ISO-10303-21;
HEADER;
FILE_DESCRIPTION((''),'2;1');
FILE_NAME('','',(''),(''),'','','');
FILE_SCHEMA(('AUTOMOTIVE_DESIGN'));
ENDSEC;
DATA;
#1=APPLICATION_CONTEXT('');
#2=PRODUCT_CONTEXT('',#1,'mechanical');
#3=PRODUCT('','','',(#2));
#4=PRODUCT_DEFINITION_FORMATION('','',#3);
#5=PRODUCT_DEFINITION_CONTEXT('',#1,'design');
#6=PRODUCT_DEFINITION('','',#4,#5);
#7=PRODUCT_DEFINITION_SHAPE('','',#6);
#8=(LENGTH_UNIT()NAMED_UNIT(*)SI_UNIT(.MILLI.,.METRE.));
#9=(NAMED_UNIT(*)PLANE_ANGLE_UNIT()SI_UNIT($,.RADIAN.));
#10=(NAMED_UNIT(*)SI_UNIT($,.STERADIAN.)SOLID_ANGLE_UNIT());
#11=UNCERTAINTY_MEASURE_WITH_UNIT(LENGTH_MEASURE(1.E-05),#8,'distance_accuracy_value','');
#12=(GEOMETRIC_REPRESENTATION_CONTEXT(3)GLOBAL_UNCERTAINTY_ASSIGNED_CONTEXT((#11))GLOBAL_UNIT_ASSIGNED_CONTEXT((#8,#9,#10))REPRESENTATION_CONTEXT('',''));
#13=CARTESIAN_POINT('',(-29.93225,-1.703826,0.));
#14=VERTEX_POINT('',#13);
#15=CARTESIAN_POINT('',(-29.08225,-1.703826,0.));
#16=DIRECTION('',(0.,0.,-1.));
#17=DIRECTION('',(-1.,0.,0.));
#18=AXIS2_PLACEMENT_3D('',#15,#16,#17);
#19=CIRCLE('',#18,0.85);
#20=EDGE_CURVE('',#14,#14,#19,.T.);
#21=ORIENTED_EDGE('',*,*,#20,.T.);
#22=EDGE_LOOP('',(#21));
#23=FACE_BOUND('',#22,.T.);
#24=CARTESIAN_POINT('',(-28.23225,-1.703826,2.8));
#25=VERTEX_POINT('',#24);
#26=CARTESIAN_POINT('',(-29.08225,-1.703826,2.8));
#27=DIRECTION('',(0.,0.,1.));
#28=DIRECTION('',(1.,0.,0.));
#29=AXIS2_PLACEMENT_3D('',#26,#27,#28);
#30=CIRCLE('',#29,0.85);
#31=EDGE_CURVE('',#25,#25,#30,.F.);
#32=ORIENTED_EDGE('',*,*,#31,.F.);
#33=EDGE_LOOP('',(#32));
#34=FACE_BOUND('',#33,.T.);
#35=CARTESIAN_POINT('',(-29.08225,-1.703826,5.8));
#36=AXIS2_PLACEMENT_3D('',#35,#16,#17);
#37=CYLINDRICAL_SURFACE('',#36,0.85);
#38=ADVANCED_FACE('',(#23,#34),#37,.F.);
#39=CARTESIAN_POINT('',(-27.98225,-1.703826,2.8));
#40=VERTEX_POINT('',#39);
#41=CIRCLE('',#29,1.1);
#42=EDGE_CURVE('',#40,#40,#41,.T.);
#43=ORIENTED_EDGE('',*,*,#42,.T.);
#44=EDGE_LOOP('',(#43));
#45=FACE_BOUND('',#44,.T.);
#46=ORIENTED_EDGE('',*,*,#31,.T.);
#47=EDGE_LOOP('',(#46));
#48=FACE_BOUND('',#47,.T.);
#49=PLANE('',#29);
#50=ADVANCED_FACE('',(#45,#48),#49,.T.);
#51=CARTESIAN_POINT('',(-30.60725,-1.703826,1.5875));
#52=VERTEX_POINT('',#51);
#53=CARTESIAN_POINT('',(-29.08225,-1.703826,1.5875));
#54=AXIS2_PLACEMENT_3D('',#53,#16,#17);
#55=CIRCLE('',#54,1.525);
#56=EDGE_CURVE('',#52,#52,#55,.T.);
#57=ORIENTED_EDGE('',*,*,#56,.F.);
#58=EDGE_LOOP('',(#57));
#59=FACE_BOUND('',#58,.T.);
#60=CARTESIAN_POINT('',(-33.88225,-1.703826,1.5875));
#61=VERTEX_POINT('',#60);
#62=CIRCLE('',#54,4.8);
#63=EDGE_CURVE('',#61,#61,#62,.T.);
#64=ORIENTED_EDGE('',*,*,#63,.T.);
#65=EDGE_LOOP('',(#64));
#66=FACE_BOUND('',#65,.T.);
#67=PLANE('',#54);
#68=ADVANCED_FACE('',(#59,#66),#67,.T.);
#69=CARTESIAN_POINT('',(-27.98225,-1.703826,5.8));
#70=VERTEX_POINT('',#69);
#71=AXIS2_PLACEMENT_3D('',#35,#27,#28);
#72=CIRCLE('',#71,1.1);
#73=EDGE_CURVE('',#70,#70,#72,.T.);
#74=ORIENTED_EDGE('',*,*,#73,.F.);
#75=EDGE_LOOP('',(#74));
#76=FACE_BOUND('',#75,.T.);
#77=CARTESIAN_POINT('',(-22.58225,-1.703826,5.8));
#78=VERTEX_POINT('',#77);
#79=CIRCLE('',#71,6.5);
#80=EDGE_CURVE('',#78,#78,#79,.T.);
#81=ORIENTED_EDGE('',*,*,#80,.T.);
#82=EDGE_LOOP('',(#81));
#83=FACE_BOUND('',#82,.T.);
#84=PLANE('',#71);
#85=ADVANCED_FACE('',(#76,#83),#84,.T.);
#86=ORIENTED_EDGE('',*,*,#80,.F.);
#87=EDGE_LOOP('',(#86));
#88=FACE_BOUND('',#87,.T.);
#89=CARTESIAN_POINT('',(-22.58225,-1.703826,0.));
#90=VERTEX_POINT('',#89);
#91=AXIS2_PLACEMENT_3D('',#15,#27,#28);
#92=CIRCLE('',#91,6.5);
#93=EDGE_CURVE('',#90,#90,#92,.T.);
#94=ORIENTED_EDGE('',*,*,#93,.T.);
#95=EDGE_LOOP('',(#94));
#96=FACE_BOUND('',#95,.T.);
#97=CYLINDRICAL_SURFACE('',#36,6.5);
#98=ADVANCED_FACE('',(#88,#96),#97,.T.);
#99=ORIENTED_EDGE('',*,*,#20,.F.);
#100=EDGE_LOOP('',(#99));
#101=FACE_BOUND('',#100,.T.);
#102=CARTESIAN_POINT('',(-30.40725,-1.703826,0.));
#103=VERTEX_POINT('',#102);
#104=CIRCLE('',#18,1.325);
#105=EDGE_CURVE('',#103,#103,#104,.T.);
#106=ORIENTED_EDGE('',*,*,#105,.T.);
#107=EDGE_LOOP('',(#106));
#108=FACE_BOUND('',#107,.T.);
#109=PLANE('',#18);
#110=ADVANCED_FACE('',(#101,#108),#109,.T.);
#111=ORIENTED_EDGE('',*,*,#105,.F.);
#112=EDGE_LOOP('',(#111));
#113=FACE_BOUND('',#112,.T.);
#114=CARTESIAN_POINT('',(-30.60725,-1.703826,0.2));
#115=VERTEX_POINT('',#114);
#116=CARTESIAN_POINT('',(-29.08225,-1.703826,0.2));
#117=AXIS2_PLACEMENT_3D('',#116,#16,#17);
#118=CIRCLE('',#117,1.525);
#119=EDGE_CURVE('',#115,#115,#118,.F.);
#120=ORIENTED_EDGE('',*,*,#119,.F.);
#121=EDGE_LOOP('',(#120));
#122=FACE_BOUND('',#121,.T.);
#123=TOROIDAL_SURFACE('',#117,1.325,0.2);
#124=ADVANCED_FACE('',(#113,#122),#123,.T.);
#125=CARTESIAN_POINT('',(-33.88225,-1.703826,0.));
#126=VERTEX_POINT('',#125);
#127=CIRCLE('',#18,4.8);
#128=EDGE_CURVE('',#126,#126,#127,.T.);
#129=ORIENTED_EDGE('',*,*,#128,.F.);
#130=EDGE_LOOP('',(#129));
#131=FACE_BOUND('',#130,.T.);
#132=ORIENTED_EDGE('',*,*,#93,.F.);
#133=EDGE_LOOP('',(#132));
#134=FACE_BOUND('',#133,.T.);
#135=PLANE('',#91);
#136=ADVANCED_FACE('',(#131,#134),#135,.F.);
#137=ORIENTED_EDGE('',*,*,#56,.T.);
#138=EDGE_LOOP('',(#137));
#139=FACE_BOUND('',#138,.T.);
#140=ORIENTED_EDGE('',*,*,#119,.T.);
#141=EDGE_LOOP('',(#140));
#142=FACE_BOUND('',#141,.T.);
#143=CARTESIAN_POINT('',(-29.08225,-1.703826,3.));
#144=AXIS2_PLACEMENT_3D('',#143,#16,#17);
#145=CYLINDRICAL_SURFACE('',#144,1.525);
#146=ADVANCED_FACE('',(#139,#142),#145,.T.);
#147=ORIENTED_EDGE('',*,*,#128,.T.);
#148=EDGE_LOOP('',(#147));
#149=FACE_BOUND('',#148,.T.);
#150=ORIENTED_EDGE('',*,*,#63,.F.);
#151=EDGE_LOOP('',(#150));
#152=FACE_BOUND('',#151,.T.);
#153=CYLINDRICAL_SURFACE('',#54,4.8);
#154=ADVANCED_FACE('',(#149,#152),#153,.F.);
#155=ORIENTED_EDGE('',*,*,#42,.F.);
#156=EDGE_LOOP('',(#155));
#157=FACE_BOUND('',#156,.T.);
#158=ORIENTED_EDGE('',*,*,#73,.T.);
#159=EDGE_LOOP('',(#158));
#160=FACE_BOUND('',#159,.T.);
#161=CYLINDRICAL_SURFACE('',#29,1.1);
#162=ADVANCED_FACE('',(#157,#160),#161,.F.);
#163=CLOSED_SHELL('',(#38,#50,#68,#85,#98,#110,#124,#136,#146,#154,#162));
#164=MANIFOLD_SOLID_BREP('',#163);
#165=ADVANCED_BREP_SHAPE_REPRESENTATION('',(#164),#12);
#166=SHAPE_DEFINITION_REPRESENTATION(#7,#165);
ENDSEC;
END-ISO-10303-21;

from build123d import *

# Parameters (mm, degrees)
SKETCH1_R           = 6.5
BOSS_EXTRUDE1_DEPTH = 5.8
SKETCH2_R           = 4.8
CUT_EXTRUDE1_DEPTH  = 1.5875
SKETCH3_R           = 1
BOSS_EXTRUDE2_DEPTH = 1.5875
SKETCH4_R           = 1.525
BOSS_EXTRUDE3_DEPTH = 3
SKETCH5_R           = 0.85
CUT_EXTRUDE2_DEPTH  = 37.973494724
SKETCH6_R           = 1.1
CUT_EXTRUDE3_DEPTH  = 3
FILLET1_R           = 0.2


with BuildPart() as part:
    # Sketch1 → Boss-Extrude1 (new body)
    with BuildSketch(Plane.XY):
        with Locations((-29.082250471, -1.703826149)):
            Circle(SKETCH1_R)
    extrude(amount=BOSS_EXTRUDE1_DEPTH)

    # Sketch2 → Cut-Extrude1 (cut)
    with BuildSketch(Plane(origin=(0, 0, 0), x_dir=(-1, 0, 0), z_dir=(0, 0, -1))):
        with Locations((29.082250471, -1.703826149)):
            Circle(SKETCH2_R)
    extrude(amount=-CUT_EXTRUDE1_DEPTH, mode=Mode.SUBTRACT)

    # Sketch3 → Boss-Extrude2 (add)
    with BuildSketch(Plane(origin=(0, 0, 1.5875), x_dir=(-1, 0, 0), z_dir=(0, 0, -1))):
        with Locations((29.082250471, -1.703826149)):
            Circle(SKETCH3_R)
    extrude(amount=BOSS_EXTRUDE2_DEPTH)

    # Sketch4 → Boss-Extrude3 (add)
    with BuildSketch(Plane(origin=(0, 0, 0), x_dir=(-1, 0, 0), z_dir=(0, 0, -1))):
        with Locations((29.082250471, -1.703826149)):
            Circle(SKETCH4_R)
    extrude(amount=-BOSS_EXTRUDE3_DEPTH)

    # Sketch5 → Cut-Extrude2 (cut, through all)
    with BuildSketch(Plane(origin=(0, 0, 0), x_dir=(-1, 0, 0), z_dir=(0, 0, -1))):
        with Locations((29.082250471, -1.703826149)):
            Circle(SKETCH5_R)
    extrude(amount=-CUT_EXTRUDE2_DEPTH, mode=Mode.SUBTRACT)

    # Sketch6 → Cut-Extrude3 (cut)
    with BuildSketch(Plane.XY.offset(5.8)):
        with Locations((-29.082250471, -1.703826149)):
            Circle(SKETCH6_R)
    extrude(amount=-CUT_EXTRUDE3_DEPTH, mode=Mode.SUBTRACT)

    # Fillet1
    fillet1_edges = [part.edges().sort_by_distance(p)[0] for p in [
        (-27.557250471, -1.703826149, 0),
    ]]
    fillet(fillet1_edges, radius=FILLET1_R)


solid = part.part
